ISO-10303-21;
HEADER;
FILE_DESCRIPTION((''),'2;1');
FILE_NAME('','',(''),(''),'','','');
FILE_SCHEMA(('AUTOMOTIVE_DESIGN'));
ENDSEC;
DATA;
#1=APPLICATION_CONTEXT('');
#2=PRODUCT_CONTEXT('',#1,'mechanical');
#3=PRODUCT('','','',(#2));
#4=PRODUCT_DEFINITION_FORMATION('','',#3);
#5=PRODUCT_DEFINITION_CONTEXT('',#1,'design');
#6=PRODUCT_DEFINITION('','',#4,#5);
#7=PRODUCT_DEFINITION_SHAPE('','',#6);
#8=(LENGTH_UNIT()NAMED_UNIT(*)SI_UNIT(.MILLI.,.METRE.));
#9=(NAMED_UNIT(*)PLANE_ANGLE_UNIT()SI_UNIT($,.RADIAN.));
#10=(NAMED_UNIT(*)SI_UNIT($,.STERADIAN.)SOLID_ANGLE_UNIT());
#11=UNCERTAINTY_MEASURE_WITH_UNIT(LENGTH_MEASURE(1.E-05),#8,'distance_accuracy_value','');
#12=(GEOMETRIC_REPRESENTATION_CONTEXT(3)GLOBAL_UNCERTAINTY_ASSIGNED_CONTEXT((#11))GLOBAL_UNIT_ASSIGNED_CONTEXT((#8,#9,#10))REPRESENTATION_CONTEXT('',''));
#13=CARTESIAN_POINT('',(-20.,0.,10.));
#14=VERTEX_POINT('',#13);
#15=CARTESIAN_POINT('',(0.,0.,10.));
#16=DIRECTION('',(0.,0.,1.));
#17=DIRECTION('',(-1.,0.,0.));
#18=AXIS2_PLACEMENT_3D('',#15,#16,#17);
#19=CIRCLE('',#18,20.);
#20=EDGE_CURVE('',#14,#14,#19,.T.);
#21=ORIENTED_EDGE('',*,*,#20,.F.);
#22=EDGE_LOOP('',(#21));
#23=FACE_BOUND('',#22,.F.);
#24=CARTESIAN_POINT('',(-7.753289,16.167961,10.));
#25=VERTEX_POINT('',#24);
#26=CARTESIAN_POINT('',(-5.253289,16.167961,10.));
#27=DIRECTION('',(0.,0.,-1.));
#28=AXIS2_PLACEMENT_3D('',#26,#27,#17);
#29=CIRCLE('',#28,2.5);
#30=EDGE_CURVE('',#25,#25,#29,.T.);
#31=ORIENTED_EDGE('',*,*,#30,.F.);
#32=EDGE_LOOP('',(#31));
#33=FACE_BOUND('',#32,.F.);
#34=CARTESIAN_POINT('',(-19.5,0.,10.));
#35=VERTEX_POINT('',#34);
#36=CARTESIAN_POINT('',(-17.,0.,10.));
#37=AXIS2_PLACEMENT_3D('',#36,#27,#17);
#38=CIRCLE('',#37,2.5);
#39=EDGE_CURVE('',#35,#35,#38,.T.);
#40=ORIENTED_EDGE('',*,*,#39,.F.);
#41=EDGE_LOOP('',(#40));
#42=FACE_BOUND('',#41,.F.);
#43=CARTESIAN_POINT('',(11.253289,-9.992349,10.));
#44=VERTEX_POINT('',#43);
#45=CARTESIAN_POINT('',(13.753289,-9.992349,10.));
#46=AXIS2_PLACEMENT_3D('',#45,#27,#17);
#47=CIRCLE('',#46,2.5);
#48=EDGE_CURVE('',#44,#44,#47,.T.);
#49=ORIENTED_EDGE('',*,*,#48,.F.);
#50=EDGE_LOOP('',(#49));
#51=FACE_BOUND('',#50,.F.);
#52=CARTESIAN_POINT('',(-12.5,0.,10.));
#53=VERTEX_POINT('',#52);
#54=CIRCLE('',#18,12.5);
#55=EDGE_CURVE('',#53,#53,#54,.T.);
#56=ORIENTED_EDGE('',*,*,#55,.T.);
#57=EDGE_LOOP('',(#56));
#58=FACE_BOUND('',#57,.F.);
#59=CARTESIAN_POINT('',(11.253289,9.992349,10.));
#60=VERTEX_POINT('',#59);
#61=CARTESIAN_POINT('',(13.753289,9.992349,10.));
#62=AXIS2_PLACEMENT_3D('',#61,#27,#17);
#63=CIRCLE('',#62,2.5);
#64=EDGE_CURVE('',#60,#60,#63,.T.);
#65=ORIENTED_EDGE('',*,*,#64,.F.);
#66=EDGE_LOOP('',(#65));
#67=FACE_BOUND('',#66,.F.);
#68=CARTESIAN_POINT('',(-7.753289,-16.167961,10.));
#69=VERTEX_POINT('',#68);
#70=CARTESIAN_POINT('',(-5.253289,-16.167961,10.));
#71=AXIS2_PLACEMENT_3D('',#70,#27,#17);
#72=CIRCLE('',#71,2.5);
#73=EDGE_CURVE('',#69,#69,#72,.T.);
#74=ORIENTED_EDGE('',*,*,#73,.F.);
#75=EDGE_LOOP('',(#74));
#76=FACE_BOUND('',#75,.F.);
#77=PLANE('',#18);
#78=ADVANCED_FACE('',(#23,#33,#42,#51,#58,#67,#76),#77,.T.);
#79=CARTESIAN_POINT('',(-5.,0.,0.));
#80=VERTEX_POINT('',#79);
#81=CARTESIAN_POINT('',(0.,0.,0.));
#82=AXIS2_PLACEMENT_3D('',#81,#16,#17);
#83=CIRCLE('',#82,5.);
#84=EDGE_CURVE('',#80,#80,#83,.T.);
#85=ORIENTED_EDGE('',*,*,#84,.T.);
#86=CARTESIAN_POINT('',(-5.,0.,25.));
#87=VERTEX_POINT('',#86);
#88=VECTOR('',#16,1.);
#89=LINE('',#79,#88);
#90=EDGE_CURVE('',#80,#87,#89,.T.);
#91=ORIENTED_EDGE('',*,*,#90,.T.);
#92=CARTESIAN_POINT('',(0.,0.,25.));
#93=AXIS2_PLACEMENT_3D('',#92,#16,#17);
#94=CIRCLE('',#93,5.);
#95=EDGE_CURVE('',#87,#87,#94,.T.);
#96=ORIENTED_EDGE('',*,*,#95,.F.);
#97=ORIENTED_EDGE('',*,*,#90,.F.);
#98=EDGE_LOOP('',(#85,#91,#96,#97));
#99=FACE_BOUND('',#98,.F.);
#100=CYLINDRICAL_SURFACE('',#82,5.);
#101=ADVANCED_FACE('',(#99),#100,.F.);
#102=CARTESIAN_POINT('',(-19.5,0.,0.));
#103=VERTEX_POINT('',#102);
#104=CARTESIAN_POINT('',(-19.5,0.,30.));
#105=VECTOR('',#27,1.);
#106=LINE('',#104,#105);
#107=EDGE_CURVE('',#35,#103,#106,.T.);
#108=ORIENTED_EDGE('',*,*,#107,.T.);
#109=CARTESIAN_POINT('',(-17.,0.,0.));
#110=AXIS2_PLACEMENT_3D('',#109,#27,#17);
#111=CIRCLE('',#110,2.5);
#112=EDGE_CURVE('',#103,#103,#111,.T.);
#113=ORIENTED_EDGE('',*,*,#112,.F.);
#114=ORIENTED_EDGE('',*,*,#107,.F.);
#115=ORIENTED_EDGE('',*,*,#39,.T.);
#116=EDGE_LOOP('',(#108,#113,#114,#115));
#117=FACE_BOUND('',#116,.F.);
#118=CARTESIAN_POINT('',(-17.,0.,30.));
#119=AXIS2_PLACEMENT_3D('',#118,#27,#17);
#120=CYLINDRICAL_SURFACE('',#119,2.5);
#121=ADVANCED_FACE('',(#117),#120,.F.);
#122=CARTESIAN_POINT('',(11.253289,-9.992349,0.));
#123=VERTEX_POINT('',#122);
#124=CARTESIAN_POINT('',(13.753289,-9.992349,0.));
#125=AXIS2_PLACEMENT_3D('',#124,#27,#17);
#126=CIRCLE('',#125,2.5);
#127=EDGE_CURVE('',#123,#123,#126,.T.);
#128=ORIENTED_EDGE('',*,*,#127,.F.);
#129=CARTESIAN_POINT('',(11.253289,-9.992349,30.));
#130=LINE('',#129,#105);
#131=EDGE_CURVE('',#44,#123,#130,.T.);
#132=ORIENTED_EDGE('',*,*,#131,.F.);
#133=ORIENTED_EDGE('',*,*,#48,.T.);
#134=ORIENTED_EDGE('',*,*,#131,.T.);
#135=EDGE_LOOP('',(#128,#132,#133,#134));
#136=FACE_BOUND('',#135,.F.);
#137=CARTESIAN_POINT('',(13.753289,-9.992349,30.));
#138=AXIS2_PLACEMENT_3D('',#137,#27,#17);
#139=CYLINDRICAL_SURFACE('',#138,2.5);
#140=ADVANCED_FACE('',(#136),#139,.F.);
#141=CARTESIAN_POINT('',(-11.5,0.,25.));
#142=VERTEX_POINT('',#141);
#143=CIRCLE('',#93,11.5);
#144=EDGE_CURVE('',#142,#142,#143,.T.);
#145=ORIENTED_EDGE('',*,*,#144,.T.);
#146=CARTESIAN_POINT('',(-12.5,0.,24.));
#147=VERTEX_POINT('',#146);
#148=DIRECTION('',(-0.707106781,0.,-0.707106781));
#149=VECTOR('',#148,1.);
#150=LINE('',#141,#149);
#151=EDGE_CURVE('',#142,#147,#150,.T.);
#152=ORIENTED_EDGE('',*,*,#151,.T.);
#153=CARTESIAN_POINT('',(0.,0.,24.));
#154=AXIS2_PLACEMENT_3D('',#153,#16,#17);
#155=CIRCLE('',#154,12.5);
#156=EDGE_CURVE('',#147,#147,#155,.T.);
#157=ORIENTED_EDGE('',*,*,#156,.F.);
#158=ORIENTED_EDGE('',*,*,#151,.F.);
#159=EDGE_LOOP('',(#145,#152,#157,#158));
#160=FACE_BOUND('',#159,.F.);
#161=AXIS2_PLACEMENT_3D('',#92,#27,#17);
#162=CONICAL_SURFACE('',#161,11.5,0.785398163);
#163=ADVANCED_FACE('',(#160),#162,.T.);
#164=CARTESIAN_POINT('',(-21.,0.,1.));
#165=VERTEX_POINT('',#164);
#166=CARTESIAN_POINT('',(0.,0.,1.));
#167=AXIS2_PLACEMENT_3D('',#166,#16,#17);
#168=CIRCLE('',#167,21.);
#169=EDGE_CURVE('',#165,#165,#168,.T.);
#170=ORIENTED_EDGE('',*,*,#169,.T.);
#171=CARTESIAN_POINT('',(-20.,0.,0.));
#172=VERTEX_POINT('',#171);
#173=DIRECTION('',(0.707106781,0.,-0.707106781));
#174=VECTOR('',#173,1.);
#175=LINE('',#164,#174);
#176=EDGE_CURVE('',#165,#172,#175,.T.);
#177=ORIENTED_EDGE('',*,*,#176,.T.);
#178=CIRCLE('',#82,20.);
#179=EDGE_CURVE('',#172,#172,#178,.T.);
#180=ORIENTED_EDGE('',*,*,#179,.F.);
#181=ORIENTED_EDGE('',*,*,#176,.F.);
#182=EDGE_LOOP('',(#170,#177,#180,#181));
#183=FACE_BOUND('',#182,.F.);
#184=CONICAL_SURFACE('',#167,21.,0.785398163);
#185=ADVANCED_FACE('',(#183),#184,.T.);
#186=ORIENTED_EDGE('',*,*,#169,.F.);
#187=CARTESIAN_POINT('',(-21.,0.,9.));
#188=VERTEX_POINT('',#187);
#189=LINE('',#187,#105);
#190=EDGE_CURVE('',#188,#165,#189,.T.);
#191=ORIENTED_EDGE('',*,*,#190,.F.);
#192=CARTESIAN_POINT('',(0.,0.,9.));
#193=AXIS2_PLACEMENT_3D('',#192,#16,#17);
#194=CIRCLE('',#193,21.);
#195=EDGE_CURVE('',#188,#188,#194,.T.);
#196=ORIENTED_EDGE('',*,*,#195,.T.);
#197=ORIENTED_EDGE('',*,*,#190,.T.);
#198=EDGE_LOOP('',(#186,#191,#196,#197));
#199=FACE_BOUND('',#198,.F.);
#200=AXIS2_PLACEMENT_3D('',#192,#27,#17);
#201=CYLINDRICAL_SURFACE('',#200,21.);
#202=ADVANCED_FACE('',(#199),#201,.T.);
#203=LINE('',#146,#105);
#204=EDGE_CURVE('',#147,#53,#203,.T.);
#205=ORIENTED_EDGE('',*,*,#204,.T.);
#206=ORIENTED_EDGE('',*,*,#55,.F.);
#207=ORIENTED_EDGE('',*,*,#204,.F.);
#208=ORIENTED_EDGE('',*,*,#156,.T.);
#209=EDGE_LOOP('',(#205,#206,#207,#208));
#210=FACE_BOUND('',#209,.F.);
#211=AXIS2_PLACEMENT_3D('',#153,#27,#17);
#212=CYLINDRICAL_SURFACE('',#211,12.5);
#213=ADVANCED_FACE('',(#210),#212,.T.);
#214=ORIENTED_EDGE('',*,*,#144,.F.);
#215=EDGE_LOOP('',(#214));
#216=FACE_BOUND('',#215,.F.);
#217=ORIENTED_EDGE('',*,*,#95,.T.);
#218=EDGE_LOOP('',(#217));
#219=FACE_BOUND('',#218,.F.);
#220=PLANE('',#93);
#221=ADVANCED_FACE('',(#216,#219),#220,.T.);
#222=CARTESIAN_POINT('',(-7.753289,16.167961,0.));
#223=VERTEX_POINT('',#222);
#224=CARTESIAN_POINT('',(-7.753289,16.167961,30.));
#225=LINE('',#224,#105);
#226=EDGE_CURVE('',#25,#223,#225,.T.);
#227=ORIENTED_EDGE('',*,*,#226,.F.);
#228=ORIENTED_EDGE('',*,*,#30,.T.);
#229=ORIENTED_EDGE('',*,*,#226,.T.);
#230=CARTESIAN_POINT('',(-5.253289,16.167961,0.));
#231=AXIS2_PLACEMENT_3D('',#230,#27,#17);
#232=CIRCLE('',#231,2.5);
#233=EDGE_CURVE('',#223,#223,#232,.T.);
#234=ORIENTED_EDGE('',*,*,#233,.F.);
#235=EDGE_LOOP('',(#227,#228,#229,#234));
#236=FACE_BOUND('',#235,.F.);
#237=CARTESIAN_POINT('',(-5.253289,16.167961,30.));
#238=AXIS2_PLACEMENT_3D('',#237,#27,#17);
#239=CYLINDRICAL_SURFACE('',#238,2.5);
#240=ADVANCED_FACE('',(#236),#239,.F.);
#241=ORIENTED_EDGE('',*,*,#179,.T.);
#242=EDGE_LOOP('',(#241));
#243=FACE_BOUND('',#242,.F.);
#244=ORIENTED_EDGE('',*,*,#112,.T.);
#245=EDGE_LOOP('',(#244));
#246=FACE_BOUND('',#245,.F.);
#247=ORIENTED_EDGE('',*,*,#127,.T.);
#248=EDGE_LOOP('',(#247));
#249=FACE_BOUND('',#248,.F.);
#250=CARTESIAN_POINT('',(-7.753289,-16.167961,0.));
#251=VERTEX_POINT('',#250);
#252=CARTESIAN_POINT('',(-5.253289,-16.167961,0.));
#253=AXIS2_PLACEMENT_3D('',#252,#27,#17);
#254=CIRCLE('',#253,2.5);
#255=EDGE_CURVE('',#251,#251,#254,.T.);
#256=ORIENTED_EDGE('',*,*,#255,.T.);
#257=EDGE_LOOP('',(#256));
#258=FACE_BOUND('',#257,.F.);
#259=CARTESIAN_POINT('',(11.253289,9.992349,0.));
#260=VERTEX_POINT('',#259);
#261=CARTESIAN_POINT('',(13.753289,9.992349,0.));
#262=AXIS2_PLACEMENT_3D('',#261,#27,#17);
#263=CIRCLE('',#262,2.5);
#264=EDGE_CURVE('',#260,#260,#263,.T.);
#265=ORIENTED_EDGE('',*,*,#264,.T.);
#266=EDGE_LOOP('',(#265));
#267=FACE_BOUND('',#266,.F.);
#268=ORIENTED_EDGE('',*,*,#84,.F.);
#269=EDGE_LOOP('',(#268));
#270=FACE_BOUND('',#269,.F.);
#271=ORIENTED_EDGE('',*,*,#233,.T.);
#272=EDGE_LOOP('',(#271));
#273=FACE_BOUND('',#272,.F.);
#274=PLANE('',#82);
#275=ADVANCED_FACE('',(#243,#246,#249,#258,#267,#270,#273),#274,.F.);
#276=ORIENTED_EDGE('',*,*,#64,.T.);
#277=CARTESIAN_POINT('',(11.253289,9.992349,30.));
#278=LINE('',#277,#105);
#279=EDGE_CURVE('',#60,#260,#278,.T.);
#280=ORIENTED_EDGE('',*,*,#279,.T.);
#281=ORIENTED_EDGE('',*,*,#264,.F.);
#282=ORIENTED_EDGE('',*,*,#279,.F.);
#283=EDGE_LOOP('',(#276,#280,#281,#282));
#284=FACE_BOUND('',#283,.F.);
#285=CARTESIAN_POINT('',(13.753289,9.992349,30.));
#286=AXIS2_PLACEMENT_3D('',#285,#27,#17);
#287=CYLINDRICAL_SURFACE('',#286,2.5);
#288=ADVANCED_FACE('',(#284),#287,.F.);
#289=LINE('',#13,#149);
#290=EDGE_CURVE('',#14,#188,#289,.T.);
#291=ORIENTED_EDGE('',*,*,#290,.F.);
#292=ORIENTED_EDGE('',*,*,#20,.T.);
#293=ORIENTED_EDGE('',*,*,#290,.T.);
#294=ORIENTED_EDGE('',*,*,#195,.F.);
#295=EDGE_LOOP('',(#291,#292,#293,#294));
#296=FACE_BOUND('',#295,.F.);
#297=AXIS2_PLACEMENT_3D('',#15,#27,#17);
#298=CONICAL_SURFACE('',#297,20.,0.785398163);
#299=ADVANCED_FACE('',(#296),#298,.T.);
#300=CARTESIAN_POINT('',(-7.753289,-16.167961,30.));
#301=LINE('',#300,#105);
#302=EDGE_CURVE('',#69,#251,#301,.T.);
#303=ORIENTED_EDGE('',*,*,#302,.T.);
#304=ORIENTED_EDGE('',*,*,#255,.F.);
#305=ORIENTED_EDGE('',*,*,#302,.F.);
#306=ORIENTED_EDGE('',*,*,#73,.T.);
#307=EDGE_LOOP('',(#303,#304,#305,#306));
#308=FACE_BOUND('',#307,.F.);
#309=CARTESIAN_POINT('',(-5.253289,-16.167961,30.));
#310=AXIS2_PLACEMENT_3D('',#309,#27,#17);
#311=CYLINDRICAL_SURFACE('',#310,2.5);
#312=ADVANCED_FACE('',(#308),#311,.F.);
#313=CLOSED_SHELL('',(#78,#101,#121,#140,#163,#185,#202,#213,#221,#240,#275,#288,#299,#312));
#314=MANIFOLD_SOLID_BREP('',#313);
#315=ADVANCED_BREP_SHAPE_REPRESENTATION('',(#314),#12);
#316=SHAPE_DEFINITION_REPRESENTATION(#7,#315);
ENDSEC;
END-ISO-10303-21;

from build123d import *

# Parameters (mm, degrees)
F3_D     = 5
F3_DEPTH = 20


with BuildPart() as f1:
    # F0 (on Front) → F1 (revolve)
    with BuildSketch(Plane.XZ):
        Polygon((-5, 0), (-5, 25), (-11.5, 25), (-12.5, 24), (-12.5, 16), (-12.5, 10), (-20, 10), (-21, 9), (-21, 1), (-20, 0), align=None)
    revolve(axis=Axis((0, 0, 12.5), (0, 0, 1)))

    # F3
    with Locations(Plane.XY.offset(10)):
        with Locations((-17, 0), (-5.253289, 16.167961), (13.753289, 9.992349), (13.753289, -9.992349), (-5.253289, -16.167961)):
            Hole(F3_D / 2, depth=F3_DEPTH)


solid = f1.part
